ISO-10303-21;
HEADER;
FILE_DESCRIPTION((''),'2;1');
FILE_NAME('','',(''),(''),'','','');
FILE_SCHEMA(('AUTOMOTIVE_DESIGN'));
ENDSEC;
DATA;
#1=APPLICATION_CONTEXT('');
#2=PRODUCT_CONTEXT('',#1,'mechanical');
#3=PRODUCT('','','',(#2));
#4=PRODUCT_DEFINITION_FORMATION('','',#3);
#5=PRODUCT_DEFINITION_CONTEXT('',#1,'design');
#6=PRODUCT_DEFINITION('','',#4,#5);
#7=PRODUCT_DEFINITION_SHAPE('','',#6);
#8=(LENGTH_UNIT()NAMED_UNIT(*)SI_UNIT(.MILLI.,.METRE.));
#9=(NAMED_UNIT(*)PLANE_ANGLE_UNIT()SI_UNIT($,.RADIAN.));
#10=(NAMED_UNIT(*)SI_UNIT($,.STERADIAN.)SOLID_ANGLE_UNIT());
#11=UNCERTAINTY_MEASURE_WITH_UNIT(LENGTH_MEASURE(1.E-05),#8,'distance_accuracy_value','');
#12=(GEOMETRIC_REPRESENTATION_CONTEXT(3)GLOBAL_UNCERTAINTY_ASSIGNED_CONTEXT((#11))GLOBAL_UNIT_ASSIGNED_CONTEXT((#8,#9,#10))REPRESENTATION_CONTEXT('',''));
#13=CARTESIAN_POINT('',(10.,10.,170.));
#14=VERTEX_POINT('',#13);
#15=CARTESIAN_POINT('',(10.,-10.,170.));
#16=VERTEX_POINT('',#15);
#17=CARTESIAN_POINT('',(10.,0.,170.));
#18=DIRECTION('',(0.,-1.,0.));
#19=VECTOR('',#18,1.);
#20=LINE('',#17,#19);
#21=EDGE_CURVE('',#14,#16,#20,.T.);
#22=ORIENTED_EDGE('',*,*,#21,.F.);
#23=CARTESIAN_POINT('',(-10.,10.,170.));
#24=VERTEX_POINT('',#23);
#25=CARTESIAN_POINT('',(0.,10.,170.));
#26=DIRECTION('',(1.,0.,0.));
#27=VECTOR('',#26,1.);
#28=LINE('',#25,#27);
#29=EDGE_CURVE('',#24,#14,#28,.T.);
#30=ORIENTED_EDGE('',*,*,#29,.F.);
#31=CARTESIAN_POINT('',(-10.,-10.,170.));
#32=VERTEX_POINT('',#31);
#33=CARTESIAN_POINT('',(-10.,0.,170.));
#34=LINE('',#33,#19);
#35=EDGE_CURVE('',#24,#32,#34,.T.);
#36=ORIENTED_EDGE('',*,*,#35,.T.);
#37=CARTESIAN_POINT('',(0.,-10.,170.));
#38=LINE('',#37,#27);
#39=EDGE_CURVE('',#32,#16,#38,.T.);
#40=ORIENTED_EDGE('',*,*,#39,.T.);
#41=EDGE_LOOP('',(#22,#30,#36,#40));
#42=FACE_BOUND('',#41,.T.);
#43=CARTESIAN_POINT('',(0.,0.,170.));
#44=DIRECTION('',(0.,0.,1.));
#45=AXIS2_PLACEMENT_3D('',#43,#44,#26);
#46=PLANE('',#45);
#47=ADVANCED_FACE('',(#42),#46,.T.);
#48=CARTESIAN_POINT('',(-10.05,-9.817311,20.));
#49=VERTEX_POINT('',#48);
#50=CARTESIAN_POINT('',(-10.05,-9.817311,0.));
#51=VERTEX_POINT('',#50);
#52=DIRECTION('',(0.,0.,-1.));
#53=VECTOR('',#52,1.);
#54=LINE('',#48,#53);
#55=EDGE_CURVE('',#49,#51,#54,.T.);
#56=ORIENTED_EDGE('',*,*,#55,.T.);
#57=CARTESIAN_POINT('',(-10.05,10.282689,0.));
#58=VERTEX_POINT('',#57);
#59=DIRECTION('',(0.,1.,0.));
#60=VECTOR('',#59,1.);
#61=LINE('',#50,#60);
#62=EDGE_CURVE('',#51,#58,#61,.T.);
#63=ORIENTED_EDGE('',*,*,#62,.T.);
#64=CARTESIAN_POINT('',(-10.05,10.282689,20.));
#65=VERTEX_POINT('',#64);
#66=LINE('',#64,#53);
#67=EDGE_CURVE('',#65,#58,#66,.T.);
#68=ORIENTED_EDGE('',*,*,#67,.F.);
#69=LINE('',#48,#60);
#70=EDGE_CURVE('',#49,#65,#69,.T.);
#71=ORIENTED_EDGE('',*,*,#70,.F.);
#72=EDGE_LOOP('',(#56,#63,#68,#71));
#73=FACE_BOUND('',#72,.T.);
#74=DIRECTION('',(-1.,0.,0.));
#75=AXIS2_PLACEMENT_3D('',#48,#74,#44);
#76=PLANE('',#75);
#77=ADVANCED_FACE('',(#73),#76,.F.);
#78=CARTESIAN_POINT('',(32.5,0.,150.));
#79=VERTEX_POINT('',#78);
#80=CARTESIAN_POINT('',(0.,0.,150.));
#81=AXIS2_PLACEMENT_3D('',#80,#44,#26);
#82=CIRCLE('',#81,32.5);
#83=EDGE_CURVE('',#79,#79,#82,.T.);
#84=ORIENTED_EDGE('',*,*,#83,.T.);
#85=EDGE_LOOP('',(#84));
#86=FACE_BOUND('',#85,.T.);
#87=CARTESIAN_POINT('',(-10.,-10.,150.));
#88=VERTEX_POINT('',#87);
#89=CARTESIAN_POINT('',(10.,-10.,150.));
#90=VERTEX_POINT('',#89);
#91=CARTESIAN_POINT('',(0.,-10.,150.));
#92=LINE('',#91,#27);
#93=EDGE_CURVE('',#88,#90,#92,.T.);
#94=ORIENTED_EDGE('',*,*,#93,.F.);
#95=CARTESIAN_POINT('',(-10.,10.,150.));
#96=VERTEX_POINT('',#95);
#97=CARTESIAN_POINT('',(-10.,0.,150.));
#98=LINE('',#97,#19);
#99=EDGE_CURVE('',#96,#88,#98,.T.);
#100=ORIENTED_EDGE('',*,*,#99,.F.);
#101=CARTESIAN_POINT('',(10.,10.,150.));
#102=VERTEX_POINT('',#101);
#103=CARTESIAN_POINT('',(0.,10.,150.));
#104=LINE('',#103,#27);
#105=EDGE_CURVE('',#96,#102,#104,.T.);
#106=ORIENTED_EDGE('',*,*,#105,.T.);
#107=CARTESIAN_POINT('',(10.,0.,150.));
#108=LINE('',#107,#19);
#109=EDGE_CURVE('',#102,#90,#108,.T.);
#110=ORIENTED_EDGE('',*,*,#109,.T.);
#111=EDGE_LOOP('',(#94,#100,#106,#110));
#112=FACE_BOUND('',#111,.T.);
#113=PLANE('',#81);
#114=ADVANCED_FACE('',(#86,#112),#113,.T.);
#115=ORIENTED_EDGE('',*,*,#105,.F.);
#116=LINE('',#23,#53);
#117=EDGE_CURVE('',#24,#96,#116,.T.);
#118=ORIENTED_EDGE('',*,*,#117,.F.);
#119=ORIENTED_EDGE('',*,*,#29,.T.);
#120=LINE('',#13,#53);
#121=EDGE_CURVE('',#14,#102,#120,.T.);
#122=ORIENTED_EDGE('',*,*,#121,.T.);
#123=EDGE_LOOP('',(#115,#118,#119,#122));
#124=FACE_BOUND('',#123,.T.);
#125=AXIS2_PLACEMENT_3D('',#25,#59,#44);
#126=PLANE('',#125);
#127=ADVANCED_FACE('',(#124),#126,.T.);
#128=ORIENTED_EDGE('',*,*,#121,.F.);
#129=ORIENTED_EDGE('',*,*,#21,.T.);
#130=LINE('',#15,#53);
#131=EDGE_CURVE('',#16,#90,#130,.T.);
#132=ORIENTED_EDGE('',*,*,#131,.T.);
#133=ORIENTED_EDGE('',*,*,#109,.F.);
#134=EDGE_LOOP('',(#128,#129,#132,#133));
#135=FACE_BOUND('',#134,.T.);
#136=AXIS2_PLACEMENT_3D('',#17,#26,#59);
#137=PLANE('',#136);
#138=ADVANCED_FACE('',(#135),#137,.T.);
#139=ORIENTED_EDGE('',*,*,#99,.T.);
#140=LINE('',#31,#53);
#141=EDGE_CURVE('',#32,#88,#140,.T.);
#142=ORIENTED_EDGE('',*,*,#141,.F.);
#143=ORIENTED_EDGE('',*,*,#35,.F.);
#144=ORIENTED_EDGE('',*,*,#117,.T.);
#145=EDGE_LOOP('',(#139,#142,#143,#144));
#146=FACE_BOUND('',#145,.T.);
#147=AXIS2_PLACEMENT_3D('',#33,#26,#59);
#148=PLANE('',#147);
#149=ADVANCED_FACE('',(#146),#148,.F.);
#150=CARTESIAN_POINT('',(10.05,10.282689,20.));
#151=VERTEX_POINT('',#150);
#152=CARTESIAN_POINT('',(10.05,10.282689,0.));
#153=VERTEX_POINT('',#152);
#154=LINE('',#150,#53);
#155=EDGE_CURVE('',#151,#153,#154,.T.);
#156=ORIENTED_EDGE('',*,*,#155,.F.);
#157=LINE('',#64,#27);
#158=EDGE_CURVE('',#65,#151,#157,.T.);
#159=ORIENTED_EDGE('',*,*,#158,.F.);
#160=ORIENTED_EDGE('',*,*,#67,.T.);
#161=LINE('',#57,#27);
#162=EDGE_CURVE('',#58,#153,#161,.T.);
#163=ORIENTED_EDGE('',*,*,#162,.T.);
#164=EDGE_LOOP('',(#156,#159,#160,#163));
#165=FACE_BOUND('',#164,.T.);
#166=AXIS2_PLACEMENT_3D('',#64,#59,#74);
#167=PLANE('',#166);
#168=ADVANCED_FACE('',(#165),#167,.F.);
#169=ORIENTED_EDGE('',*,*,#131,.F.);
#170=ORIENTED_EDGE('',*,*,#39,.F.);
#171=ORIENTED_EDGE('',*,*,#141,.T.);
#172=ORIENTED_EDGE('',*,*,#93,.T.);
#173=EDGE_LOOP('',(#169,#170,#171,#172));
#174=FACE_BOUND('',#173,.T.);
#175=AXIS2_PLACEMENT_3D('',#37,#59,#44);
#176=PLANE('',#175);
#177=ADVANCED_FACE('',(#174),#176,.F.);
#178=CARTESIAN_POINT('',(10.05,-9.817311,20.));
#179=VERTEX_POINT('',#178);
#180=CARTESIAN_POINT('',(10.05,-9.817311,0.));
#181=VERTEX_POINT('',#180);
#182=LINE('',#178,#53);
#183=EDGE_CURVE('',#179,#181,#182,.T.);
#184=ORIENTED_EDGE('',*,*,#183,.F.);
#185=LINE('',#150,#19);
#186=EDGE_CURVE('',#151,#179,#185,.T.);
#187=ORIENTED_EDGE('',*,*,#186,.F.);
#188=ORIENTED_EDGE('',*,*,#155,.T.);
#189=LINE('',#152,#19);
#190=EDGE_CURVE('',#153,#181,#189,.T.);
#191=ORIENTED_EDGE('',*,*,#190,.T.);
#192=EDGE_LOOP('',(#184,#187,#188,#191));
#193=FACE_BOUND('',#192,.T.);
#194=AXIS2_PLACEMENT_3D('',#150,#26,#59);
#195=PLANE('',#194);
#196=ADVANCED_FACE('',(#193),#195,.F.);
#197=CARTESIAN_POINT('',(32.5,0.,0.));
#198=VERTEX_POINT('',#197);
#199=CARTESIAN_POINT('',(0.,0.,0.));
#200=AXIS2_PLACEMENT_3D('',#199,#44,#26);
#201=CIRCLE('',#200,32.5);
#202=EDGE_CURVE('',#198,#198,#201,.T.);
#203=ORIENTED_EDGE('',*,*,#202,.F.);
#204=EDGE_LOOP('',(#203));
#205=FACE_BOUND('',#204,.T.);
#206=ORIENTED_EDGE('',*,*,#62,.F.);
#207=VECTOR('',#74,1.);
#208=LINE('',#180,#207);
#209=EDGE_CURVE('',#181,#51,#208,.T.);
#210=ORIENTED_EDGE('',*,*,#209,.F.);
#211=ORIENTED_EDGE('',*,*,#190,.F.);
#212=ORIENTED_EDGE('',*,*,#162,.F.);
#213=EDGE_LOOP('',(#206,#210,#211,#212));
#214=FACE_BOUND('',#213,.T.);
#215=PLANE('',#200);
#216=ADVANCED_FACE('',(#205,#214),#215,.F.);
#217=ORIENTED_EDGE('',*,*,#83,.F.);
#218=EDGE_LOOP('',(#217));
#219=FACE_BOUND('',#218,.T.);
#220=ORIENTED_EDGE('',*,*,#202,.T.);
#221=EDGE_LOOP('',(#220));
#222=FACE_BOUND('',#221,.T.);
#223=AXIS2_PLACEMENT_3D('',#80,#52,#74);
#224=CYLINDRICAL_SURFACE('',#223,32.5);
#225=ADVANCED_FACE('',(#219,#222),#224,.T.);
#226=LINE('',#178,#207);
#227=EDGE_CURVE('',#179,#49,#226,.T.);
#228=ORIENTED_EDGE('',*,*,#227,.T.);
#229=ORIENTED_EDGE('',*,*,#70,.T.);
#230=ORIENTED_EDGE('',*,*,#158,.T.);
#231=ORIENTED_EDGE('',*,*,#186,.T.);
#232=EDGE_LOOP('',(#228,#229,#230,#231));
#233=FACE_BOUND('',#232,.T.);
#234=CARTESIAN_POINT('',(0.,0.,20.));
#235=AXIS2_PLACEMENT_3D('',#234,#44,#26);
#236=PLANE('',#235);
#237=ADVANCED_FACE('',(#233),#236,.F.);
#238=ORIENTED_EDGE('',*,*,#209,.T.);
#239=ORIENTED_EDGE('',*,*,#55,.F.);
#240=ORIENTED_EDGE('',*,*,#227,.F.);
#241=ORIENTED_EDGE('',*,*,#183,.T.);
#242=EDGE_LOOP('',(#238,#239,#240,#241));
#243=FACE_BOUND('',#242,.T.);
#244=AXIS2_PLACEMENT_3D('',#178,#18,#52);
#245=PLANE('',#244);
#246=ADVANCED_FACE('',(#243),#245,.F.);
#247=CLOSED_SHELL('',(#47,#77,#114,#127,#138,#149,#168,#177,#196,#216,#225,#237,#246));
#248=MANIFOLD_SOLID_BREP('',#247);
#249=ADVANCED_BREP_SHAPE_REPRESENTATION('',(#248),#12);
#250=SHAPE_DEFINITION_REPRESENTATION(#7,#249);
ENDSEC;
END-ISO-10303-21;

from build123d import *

# Parameters (mm, degrees)
IZIM2_R                     = 32.5
Y_KSEKLIK_EKSTR_ZYON1_DEPTH = 150
IZIM3_W                     = 20
IZIM3_H                     = 20
Y_KSEKLIK_EKSTR_ZYON2_DEPTH = 20
IZIM5_W                     = 20
IZIM5_H                     = 20
KES_EKSTR_ZYON2_DEPTH       = 20
IZIM6_W                     = 20.1
IZIM6_H                     = 20.1
KES_EKSTR_ZYON3_DEPTH       = 20


with BuildPart() as part:
    # Çizim2 → Yükseklik-Ekstrüzyon1 (new body)
    with BuildSketch(Plane.XY):
        Circle(IZIM2_R)
    extrude(amount=Y_KSEKLIK_EKSTR_ZYON1_DEPTH)

    # Çizim3 → Yükseklik-Ekstrüzyon2 (add)
    with BuildSketch(Plane.XY.offset(150)):
        Rectangle(IZIM3_W, IZIM3_H)
    extrude(amount=Y_KSEKLIK_EKSTR_ZYON2_DEPTH)

    # Çizim5 → Kes-Ekstrüzyon2 (cut)
    with BuildSketch(Plane(origin=(0, 0, 0), x_dir=(-1, 0, 0), z_dir=(0, 0, -1))):
        with Locations((0, 0.232689455)):
            Rectangle(IZIM5_W, IZIM5_H)
    extrude(amount=-KES_EKSTR_ZYON2_DEPTH, mode=Mode.SUBTRACT)

    # Çizim6 → Kes-Ekstrüzyon3 (cut)
    with BuildSketch(Plane(origin=(0, 0, 0), x_dir=(-1, 0, 0), z_dir=(0, 0, -1))):
        with Locations((0, 0.232689455)):
            Rectangle(IZIM6_W, IZIM6_H)
    extrude(amount=-KES_EKSTR_ZYON3_DEPTH, mode=Mode.SUBTRACT)


solid = part.part
